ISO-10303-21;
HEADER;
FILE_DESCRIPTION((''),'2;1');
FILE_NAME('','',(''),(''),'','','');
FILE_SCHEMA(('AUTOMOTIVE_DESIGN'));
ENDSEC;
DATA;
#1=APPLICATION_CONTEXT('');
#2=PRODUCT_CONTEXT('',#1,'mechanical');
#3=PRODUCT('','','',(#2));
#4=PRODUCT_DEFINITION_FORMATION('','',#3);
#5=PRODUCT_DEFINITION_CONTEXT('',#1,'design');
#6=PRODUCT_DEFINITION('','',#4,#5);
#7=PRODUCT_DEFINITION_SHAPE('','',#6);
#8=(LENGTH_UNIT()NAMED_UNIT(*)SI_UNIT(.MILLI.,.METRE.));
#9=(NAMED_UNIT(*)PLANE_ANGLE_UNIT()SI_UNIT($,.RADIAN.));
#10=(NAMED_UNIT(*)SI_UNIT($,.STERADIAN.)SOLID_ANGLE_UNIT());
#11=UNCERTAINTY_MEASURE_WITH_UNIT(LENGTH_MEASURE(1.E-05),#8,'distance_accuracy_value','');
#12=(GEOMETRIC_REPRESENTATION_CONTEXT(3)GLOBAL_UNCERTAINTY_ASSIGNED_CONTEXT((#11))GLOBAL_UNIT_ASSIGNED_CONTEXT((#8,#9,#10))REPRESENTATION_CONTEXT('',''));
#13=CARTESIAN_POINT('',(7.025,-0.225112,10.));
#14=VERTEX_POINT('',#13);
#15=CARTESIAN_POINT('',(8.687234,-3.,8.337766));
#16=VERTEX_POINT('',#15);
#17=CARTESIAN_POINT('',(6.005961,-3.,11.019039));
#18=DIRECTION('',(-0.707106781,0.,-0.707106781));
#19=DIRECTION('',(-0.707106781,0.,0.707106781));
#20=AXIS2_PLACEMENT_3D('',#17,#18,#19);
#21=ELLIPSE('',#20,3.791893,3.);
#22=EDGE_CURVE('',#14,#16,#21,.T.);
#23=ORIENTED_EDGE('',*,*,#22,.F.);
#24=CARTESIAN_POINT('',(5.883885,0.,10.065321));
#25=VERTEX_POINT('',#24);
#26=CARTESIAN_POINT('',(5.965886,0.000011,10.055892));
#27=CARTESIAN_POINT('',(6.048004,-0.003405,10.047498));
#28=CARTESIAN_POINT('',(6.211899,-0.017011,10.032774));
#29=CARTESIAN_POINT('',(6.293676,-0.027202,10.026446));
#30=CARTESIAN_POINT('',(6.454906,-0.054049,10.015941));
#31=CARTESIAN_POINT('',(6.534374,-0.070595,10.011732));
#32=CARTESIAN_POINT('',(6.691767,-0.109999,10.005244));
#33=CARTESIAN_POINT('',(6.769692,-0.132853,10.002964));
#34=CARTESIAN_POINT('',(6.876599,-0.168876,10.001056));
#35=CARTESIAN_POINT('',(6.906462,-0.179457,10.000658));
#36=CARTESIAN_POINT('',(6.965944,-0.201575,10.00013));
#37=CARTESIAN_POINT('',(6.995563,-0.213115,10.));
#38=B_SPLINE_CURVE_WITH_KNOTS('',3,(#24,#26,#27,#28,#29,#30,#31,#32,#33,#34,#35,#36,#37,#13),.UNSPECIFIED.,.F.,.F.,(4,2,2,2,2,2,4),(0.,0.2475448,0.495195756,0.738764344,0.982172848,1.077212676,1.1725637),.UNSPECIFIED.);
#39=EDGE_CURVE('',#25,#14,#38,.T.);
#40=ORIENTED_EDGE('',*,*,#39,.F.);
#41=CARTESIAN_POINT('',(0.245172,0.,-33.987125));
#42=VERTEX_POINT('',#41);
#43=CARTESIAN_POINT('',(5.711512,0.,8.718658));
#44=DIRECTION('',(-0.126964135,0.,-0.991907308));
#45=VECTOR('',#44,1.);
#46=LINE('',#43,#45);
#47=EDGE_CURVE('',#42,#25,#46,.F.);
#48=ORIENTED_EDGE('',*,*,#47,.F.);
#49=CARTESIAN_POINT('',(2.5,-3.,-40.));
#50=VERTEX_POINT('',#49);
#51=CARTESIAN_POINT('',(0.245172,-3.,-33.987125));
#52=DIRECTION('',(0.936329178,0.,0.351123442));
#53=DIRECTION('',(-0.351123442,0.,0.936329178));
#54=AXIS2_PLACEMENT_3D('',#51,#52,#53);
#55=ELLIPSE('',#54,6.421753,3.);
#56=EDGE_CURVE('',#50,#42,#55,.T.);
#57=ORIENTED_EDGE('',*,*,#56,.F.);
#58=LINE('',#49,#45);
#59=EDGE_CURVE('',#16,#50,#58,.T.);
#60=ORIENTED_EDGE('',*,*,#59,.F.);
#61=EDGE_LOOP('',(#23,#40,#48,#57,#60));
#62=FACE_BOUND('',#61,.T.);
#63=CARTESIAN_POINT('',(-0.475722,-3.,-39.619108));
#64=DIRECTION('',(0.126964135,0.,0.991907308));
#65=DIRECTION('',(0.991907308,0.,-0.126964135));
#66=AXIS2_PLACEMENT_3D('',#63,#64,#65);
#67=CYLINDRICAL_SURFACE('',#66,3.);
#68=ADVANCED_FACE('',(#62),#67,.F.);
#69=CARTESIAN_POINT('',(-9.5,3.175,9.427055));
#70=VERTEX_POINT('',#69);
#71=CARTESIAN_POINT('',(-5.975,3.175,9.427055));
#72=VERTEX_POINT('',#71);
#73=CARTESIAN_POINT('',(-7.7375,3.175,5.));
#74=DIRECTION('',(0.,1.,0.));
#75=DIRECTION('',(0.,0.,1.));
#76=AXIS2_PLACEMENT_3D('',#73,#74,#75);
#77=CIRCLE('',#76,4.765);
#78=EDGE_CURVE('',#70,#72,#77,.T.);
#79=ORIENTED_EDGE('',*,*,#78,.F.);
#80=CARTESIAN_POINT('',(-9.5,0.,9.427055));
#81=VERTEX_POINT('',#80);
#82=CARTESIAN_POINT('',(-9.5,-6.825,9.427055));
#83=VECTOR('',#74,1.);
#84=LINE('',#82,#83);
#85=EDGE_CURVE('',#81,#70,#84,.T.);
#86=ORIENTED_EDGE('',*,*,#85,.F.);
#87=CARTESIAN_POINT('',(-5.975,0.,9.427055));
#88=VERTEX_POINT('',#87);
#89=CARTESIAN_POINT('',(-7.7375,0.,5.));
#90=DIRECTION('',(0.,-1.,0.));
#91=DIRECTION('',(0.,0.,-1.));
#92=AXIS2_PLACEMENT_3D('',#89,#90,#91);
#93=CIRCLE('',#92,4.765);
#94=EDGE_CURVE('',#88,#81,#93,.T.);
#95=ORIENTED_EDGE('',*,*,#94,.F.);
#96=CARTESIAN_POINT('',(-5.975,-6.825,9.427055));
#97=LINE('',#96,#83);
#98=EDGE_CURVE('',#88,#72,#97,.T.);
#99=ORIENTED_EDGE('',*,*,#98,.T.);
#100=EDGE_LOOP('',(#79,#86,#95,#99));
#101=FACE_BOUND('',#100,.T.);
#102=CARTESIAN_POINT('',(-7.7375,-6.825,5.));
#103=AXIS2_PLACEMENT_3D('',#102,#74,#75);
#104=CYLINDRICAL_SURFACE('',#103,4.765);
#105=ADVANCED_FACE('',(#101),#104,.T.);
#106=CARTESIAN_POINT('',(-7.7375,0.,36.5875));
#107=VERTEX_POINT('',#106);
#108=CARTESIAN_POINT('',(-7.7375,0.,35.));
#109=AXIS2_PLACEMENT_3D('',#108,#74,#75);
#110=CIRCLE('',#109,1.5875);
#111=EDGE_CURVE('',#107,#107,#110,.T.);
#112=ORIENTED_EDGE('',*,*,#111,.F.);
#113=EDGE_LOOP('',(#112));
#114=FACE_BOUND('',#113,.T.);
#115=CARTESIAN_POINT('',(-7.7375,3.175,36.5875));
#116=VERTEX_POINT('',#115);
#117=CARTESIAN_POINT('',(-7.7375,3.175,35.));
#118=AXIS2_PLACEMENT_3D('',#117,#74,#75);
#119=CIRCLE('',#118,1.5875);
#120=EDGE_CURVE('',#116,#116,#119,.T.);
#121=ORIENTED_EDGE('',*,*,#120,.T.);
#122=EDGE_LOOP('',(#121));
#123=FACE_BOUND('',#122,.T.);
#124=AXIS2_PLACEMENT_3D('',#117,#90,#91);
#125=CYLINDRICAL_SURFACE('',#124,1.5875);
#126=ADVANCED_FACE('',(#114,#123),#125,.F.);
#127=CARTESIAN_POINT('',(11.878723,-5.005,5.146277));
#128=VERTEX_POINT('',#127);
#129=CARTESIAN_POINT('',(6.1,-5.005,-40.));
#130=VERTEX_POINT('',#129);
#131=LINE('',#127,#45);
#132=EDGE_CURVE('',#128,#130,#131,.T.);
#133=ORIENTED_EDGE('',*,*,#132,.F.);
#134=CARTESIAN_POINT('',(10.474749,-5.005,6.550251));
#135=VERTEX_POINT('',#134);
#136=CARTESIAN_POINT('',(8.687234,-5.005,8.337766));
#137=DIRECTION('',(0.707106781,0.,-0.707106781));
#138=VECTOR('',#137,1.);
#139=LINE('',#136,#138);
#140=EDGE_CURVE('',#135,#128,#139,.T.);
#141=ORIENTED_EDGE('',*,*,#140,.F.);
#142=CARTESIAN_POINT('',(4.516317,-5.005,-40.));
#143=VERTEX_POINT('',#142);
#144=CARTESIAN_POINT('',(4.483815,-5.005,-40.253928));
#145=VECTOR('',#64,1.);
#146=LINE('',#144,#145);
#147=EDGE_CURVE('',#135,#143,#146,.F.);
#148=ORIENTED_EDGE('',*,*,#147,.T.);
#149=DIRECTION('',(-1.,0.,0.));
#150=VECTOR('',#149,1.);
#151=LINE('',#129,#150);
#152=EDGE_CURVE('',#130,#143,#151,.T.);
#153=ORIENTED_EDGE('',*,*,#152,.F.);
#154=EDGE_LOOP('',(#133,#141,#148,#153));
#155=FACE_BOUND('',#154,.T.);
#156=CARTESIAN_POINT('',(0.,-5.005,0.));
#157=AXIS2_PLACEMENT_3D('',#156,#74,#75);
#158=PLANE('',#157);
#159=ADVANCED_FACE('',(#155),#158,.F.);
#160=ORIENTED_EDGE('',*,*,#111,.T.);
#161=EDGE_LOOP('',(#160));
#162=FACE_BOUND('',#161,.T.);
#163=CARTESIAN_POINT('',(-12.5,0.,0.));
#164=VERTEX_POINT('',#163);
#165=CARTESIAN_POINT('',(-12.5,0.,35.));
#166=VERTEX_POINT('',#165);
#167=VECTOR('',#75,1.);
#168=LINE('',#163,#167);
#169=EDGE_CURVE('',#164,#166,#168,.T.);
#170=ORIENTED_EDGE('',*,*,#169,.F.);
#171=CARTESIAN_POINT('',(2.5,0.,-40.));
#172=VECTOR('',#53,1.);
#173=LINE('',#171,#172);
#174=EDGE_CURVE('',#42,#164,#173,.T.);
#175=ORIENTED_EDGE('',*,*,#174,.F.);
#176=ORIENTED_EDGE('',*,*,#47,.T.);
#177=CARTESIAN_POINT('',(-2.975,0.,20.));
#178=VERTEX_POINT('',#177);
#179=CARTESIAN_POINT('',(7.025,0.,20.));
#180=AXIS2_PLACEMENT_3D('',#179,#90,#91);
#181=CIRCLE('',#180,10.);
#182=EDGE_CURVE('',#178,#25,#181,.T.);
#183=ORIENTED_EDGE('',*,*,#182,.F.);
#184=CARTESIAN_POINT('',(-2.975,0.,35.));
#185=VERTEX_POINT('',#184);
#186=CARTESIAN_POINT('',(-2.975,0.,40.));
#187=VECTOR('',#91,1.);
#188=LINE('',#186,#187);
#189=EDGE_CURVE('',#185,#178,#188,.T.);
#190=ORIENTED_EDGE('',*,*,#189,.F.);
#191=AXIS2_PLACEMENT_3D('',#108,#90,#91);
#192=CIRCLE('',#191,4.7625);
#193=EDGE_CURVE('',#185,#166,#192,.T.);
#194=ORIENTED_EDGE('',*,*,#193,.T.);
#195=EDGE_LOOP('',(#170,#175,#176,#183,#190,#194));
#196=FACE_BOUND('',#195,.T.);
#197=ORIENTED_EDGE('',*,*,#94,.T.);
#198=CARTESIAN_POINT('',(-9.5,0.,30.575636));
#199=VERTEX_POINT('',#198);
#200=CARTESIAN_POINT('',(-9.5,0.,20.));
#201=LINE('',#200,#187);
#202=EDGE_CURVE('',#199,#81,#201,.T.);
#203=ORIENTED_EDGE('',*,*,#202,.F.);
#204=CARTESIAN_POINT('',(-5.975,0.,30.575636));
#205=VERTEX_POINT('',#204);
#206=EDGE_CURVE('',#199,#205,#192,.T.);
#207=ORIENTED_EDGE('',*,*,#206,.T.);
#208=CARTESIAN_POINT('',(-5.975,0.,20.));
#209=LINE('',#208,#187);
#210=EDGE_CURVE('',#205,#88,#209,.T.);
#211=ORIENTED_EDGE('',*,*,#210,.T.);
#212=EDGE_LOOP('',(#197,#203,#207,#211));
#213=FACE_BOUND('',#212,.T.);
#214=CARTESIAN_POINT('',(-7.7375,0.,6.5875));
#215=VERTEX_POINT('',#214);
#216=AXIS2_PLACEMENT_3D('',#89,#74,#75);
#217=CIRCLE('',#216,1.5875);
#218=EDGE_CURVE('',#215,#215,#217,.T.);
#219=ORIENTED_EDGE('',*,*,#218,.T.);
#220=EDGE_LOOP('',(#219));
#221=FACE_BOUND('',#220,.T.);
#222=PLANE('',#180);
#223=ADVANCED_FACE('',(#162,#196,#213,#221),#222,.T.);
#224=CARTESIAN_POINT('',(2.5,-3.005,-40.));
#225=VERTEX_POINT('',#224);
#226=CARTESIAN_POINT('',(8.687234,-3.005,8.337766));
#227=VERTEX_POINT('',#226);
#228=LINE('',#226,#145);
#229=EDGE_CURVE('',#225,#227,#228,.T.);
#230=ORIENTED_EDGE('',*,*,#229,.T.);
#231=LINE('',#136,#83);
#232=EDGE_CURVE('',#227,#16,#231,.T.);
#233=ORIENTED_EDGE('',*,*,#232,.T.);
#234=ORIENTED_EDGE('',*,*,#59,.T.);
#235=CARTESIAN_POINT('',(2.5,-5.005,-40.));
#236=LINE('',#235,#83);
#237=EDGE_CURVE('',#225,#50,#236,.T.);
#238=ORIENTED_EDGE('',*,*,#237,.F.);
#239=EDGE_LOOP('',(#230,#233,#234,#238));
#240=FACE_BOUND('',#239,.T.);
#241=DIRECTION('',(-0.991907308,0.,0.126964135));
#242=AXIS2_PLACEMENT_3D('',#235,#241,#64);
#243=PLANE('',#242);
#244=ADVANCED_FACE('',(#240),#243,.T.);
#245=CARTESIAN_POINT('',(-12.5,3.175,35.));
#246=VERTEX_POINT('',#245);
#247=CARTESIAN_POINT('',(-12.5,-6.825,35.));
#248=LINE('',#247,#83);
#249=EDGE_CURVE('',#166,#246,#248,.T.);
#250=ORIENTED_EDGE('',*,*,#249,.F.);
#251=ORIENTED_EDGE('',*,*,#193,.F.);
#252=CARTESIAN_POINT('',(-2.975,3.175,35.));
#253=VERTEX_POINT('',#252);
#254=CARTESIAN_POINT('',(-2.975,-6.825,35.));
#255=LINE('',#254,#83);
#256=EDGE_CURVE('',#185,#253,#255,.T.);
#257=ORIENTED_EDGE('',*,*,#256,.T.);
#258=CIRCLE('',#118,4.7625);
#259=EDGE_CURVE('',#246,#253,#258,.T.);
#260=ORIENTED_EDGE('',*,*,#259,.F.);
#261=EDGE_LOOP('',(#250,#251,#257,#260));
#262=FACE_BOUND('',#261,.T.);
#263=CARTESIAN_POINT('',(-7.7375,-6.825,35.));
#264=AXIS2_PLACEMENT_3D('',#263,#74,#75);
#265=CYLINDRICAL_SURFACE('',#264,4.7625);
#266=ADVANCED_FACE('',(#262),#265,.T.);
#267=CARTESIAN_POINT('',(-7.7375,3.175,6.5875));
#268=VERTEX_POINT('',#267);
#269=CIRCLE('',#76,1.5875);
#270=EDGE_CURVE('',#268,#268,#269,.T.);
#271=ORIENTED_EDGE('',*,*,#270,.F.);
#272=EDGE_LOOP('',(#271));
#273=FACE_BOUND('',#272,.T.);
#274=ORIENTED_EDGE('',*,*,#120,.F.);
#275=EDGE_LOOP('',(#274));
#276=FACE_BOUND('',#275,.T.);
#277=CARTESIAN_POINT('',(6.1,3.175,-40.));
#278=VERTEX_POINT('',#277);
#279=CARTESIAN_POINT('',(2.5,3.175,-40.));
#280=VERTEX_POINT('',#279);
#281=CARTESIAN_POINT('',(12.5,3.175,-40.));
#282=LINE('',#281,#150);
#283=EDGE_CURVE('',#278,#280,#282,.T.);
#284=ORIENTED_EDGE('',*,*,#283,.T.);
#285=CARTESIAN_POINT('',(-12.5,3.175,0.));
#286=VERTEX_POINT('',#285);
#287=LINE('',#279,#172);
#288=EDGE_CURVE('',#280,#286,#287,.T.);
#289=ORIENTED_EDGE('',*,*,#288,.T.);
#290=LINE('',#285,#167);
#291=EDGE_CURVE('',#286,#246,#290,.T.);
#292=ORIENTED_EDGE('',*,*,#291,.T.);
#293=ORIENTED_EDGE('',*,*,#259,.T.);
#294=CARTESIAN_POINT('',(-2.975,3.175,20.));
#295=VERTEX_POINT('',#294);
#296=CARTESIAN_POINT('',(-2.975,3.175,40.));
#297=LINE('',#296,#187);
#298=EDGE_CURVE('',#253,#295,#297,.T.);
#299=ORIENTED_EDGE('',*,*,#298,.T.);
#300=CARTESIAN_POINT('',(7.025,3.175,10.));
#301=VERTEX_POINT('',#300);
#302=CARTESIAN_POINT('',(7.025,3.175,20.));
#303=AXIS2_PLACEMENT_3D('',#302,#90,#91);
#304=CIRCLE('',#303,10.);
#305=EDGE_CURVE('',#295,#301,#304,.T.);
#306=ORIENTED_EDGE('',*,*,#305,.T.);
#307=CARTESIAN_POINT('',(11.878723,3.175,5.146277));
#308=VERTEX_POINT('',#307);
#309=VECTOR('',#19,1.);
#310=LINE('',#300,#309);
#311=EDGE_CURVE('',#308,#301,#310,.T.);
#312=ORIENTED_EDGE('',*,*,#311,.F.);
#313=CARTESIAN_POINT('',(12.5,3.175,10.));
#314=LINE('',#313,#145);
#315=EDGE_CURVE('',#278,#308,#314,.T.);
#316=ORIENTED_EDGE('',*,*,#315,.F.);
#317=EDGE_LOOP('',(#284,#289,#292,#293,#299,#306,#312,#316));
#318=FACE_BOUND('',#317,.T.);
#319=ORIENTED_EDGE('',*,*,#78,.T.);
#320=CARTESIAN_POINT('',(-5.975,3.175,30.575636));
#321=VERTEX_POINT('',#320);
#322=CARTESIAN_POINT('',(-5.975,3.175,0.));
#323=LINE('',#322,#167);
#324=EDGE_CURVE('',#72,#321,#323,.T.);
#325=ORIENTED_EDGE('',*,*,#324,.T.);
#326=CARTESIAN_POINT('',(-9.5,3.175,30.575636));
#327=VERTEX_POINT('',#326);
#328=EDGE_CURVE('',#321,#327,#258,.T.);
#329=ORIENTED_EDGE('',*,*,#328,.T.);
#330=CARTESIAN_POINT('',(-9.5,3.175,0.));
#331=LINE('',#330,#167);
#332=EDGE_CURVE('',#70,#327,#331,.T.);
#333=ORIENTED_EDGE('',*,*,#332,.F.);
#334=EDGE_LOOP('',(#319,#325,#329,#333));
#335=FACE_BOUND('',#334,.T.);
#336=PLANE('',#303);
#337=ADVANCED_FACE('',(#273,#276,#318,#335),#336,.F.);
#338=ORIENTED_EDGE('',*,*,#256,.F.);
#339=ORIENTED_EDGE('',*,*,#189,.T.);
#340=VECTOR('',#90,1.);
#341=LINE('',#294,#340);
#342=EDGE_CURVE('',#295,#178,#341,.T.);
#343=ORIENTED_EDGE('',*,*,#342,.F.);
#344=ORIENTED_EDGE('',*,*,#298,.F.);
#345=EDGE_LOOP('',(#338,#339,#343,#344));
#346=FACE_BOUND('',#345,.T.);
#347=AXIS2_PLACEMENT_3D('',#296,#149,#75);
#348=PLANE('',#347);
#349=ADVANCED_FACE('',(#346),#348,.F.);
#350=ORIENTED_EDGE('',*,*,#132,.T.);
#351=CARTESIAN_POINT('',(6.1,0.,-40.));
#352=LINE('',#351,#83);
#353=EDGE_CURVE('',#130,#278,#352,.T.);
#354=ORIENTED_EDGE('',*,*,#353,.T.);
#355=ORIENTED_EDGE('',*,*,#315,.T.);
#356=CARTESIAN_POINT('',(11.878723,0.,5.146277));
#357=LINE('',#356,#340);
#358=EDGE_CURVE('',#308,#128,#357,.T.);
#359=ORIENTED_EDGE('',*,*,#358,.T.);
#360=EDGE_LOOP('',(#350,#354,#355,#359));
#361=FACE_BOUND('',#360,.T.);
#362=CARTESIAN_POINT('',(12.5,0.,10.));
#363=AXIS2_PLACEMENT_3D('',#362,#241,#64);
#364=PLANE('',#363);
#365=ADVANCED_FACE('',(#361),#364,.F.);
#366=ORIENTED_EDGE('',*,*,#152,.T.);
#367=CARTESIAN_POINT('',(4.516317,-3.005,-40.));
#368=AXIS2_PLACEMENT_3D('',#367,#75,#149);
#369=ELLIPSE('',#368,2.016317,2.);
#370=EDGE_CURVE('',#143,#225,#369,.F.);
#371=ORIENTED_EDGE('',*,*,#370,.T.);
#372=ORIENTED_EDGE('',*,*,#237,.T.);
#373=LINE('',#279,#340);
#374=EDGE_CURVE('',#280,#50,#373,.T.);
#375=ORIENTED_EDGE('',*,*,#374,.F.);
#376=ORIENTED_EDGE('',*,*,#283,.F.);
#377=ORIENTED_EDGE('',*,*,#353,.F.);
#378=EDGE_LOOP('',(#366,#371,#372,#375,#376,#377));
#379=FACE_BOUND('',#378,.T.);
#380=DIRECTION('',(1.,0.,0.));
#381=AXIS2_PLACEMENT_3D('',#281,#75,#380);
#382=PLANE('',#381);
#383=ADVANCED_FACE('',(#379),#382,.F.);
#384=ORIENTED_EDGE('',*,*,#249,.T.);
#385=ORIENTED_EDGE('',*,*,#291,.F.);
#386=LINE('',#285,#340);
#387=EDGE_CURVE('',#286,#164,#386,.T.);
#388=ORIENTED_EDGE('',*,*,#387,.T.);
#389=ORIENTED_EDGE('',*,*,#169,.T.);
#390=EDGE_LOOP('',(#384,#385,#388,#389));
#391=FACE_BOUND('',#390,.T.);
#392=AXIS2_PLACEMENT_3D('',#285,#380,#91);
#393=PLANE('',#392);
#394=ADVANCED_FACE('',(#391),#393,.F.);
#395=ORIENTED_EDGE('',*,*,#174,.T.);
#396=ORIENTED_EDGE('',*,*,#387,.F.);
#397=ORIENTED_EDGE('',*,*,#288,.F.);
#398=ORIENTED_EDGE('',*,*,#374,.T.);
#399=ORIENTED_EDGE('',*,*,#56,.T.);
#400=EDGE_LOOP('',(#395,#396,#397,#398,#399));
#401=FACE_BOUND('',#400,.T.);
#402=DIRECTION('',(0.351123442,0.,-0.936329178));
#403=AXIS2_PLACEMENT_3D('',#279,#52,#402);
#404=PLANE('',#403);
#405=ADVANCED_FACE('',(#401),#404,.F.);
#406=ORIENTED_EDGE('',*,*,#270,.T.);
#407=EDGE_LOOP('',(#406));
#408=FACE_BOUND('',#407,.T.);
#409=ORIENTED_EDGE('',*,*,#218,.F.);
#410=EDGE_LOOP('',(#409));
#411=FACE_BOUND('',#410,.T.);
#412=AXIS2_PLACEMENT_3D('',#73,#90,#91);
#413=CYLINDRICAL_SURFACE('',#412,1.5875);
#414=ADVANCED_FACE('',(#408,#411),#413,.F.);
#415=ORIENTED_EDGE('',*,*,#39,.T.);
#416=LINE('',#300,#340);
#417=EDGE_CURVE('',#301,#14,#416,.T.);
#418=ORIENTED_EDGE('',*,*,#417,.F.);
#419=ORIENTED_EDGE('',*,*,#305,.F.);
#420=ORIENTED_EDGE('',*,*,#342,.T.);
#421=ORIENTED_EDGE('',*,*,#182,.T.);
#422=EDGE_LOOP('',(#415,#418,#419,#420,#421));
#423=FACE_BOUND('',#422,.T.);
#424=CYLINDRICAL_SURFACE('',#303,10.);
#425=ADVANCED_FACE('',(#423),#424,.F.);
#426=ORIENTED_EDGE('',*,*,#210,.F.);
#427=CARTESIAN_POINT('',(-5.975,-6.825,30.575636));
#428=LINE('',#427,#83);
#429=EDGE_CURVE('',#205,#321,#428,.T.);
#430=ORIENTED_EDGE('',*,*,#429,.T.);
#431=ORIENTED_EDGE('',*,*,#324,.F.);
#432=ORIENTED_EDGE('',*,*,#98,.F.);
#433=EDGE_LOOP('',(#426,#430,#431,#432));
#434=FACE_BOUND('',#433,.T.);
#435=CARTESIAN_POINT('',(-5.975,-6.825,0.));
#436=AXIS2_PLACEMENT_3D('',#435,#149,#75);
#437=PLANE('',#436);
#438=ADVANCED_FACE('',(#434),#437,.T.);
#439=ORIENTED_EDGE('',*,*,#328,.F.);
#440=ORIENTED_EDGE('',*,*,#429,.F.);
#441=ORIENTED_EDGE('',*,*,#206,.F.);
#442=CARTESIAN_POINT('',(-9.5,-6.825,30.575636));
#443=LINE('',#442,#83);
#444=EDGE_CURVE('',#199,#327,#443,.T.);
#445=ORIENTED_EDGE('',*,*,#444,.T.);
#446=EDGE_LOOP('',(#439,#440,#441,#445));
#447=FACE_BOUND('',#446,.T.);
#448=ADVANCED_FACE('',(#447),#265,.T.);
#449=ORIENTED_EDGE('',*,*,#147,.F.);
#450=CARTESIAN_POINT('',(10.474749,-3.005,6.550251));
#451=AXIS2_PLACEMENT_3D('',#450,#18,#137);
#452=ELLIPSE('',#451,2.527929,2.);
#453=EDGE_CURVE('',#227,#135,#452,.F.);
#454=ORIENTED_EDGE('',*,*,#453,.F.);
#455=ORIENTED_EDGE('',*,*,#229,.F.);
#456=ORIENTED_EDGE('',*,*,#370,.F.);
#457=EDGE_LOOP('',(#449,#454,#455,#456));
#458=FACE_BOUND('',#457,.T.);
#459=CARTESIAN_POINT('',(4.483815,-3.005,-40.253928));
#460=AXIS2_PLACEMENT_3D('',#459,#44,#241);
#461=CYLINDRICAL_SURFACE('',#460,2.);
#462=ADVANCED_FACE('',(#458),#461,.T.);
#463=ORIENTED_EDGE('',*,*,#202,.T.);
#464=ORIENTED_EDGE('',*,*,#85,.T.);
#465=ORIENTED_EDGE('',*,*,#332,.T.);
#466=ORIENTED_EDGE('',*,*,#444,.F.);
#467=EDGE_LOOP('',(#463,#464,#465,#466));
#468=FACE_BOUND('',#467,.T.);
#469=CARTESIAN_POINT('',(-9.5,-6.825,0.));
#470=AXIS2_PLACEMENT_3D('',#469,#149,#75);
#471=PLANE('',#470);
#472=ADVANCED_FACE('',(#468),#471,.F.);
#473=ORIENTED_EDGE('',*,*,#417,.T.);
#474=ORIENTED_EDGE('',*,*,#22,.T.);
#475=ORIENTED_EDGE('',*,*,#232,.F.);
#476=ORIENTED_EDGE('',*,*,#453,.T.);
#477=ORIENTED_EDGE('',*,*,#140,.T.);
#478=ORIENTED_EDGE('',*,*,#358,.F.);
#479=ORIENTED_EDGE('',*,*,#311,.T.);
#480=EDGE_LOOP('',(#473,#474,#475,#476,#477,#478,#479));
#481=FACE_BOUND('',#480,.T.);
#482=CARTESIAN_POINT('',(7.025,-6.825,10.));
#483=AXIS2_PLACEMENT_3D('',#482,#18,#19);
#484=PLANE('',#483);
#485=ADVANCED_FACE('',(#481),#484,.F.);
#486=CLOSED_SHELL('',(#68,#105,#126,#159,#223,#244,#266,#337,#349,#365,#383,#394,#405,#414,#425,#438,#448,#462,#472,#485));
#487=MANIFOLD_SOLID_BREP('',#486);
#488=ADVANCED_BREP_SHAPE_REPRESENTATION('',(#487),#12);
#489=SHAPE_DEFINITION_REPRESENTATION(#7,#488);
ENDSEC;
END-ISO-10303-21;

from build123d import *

# Parameters (mm, degrees)
CROQUIS1_R              = 1.5875
SALIENTE_EXTRUIR1_DEPTH = 3.175
CORTAR_EXTRUIR1_DEPTH   = 3.175
CORTAR_EXTRUIR3_DEPTH   = 10
CORTAR_EXTRUIR4_DEPTH   = 10
BOSS_EXTRU_1_DEPTH      = 8.18
CONG_1_R                = 2
CONG_2_R                = 3


with BuildPart() as part:
    # Croquis1 → Saliente-Extruir1 (new body)
    with BuildSketch(Plane(origin=(0, 0, 0), x_dir=(1, 0, 0), z_dir=(0, 1, 0))):
        with BuildLine():
            Line((-12.5, 0), (-12.5, -40))
            Line((-12.5, -40), (-2.975, -40))
            Line((-2.975, -40), (-2.975, -20))
            ThreePointArc((-2.975, -20), (-0.046067812, -12.928932188), (7.025, -10))
            Line((7.025, -10), (12.5, -10))
            Line((12.5, -10), (12.5, 40))
            Line((12.5, 40), (2.5, 40))
            Line((2.5, 40), (-12.5, 0))
        make_face()
        with Locations(Location((-7.7375, -5, 0), (0, 0, 270))):
            Circle(CROQUIS1_R, mode=Mode.SUBTRACT)
        with Locations(Location((-7.7375, -35, 0), (0, 0, 270))):
            Circle(CROQUIS1_R, mode=Mode.SUBTRACT)
    extrude(amount=SALIENTE_EXTRUIR1_DEPTH)

    # Croquis2 → Cortar-Extruir1 (cut)
    with BuildSketch(Plane(origin=(0, 3.175, 0), x_dir=(1, 0, 0), z_dir=(0, 1, 0))):
        Polygon((12.5, -10), (6.1, 40), (12.5, 40), align=None)
    extrude(amount=-CORTAR_EXTRUIR1_DEPTH, mode=Mode.SUBTRACT)

    # Croquis3 → Cortar-Extruir3 (cut)
    with BuildSketch(Plane(origin=(0, 3.175, 0), x_dir=(1, 0, 0), z_dir=(0, 1, 0))):
        with BuildLine():
            ThreePointArc((-5.975, -30.575635639), (-7.7375, -30.2375), (-9.5, -30.575635639))
            Line((-9.5, -30.575635639), (-9.5, -9.427055314))
            ThreePointArc((-9.5, -9.427055314), (-7.7375, -9.765), (-5.975, -9.427055314))
            Line((-5.975, -9.427055314), (-5.975, -14.803847577))
            Line((-5.975, -14.803847577), (-5.975, -30.575635639))
        make_face()
        with BuildLine():
            ThreePointArc((-12.5, -35), (-7.7375, -39.7625), (-2.975, -35))
            Line((-2.975, -35), (-2.975, -40))
            Line((-2.975, -40), (-12.5, -40))
            Line((-12.5, -40), (-12.5, -35))
        make_face()
    extrude(amount=-CORTAR_EXTRUIR3_DEPTH, mode=Mode.SUBTRACT)

    # Croquis4 → Cortar-Extruir4 (cut)
    with BuildSketch(Plane(origin=(0, 3.175, 0), x_dir=(1, 0, 0), z_dir=(0, 1, 0))):
        Polygon((7.025, -10), (11.878723404, -5.146276596), (12.5, -10), align=None)
    extrude(amount=-CORTAR_EXTRUIR4_DEPTH, mode=Mode.SUBTRACT)

    # Esquisse1 → Boss.-Extru.1 (add)
    with BuildSketch(Plane(origin=(0, 3.175, 0), x_dir=(1, 0, 0), z_dir=(0, 1, 0))):
        Polygon((11.878723404, -5.146276596), (6.1, 40), (2.5, 40), (8.687234043, -8.337765957), align=None)
    extrude(amount=-BOSS_EXTRU_1_DEPTH)

    # Congé1
    cong_1_edges = [part.edges().sort_by_distance(p)[0] for p in [
        (5.593617021, -5.005, -15.831117021),
    ]]
    fillet(cong_1_edges, radius=CONG_1_R)

    # Congé2
    cong_2_edges = [part.edges().sort_by_distance(p)[0] for p in [
        (5.593617021, 0, -15.831117021),
    ]]
    fillet(cong_2_edges, radius=CONG_2_R)


solid = part.part
